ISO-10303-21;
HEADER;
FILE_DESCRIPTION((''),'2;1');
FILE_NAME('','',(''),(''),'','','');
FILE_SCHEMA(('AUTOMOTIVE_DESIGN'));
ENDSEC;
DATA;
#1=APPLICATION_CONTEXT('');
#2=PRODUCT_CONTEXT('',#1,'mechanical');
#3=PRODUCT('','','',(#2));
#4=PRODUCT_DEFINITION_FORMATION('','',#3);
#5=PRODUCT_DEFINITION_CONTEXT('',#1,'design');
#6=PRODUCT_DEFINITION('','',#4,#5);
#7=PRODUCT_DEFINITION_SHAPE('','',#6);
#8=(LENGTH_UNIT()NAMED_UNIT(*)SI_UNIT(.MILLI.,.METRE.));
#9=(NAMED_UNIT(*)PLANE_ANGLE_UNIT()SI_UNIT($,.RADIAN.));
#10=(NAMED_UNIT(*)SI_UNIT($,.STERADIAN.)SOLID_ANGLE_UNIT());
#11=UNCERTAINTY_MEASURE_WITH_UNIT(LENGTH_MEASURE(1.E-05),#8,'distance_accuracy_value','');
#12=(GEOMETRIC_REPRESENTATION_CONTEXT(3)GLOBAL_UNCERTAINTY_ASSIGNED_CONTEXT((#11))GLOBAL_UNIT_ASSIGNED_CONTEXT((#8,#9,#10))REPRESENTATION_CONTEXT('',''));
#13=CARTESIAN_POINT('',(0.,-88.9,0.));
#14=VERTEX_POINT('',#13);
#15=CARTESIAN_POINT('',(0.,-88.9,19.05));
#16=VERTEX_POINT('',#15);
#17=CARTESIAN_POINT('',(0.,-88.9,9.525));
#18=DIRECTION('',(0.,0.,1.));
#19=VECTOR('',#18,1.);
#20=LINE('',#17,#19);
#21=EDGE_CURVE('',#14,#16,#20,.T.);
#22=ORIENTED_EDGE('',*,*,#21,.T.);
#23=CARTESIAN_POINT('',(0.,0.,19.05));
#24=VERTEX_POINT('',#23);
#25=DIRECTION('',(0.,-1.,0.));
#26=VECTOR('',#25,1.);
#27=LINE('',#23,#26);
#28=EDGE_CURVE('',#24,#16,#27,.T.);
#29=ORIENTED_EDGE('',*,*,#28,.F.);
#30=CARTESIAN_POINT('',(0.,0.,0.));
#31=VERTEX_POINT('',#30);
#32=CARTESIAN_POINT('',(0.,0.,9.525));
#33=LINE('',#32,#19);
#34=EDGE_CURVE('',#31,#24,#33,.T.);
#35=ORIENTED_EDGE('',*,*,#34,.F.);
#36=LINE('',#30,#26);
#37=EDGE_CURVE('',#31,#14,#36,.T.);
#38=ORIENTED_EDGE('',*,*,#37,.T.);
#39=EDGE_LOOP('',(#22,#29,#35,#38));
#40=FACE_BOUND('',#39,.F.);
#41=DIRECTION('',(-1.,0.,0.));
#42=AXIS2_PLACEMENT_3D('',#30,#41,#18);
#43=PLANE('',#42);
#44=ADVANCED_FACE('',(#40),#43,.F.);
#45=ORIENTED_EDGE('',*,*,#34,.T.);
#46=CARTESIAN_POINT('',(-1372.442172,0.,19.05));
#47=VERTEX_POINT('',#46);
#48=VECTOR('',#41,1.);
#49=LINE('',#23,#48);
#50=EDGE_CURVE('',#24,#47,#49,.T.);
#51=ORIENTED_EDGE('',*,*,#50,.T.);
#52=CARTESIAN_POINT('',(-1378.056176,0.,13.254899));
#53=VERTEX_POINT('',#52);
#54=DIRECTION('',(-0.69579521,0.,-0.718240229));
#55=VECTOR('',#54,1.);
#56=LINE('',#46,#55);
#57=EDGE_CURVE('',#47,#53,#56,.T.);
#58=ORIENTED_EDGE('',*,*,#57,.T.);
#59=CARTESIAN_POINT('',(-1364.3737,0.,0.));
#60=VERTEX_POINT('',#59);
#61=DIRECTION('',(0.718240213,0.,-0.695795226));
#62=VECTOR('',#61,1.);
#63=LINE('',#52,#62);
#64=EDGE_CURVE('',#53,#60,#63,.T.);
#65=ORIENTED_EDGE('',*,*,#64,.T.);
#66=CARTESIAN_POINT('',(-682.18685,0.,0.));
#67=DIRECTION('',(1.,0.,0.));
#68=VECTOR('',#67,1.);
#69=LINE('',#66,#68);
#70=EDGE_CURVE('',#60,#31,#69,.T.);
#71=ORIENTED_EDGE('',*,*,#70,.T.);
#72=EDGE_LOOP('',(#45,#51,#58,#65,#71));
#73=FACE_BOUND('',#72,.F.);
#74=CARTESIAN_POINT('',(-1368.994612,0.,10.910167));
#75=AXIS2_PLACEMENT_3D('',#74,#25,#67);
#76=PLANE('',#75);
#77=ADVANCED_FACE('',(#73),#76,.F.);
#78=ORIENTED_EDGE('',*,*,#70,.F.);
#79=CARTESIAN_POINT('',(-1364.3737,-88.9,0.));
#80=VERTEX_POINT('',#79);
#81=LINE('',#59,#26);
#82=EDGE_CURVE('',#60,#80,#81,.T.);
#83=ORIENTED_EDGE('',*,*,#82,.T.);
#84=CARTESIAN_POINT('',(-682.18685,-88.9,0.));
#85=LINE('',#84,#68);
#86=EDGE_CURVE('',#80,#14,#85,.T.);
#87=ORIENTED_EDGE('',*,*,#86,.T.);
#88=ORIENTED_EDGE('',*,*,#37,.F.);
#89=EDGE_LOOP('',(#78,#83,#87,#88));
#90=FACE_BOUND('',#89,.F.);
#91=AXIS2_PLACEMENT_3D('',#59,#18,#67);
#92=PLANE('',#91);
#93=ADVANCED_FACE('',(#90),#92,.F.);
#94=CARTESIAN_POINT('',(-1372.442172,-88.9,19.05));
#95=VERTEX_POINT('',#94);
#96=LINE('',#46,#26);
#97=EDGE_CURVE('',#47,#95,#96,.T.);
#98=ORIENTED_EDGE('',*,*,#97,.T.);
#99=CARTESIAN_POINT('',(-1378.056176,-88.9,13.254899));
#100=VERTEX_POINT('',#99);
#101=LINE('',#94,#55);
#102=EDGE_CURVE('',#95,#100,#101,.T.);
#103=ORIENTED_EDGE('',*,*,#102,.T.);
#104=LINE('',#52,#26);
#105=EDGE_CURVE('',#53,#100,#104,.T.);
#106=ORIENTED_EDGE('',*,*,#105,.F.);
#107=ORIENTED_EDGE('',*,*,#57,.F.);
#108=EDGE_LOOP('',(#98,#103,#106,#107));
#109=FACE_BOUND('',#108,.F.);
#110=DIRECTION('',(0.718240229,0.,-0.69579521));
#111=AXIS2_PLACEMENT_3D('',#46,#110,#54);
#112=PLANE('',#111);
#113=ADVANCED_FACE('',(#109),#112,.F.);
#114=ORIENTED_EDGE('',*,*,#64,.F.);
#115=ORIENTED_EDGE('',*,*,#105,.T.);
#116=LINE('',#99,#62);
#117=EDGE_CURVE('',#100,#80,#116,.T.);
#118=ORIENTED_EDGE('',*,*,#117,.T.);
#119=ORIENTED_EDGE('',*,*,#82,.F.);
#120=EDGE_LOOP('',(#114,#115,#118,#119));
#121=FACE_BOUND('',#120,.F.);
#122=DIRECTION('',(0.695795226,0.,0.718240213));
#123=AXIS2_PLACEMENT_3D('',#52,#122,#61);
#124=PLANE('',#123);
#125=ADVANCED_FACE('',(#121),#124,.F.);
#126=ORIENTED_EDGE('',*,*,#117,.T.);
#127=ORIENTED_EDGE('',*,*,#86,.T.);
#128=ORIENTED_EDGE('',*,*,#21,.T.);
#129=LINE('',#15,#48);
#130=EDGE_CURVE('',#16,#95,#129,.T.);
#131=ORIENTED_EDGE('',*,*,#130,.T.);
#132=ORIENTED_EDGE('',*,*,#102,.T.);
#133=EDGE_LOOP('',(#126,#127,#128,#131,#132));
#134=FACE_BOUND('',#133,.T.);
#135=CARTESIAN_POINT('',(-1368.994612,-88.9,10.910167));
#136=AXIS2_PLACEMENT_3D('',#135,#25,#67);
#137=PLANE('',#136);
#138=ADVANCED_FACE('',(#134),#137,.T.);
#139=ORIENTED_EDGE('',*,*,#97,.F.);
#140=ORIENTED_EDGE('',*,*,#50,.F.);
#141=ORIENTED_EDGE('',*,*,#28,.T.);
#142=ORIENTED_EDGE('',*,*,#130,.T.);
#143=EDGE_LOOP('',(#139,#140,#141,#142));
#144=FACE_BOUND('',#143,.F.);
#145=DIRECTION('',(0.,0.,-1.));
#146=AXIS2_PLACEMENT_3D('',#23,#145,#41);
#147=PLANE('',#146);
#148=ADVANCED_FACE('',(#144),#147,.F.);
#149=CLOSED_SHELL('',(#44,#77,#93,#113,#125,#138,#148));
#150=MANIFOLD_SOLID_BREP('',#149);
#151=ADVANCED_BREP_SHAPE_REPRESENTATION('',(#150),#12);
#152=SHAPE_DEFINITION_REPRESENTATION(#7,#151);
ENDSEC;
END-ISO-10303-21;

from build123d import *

# Parameters (mm, degrees)
F0_W     = 1364.3737
F0_H     = 19.05
F1_DEPTH = 88.9


with BuildPart() as f1:
    # F0 (on Front) → F1 (new body)
    with BuildSketch(Plane.XZ):
        Polygon((-1378.056176, 13.254899), (-1364.3737, 0), (-1364.3737, 19.05), (-1372.442172, 19.05), align=None)
        with Locations((-682.18685, 9.525)):
            Rectangle(F0_W, F0_H)
    extrude(amount=F1_DEPTH)


solid = f1.part
